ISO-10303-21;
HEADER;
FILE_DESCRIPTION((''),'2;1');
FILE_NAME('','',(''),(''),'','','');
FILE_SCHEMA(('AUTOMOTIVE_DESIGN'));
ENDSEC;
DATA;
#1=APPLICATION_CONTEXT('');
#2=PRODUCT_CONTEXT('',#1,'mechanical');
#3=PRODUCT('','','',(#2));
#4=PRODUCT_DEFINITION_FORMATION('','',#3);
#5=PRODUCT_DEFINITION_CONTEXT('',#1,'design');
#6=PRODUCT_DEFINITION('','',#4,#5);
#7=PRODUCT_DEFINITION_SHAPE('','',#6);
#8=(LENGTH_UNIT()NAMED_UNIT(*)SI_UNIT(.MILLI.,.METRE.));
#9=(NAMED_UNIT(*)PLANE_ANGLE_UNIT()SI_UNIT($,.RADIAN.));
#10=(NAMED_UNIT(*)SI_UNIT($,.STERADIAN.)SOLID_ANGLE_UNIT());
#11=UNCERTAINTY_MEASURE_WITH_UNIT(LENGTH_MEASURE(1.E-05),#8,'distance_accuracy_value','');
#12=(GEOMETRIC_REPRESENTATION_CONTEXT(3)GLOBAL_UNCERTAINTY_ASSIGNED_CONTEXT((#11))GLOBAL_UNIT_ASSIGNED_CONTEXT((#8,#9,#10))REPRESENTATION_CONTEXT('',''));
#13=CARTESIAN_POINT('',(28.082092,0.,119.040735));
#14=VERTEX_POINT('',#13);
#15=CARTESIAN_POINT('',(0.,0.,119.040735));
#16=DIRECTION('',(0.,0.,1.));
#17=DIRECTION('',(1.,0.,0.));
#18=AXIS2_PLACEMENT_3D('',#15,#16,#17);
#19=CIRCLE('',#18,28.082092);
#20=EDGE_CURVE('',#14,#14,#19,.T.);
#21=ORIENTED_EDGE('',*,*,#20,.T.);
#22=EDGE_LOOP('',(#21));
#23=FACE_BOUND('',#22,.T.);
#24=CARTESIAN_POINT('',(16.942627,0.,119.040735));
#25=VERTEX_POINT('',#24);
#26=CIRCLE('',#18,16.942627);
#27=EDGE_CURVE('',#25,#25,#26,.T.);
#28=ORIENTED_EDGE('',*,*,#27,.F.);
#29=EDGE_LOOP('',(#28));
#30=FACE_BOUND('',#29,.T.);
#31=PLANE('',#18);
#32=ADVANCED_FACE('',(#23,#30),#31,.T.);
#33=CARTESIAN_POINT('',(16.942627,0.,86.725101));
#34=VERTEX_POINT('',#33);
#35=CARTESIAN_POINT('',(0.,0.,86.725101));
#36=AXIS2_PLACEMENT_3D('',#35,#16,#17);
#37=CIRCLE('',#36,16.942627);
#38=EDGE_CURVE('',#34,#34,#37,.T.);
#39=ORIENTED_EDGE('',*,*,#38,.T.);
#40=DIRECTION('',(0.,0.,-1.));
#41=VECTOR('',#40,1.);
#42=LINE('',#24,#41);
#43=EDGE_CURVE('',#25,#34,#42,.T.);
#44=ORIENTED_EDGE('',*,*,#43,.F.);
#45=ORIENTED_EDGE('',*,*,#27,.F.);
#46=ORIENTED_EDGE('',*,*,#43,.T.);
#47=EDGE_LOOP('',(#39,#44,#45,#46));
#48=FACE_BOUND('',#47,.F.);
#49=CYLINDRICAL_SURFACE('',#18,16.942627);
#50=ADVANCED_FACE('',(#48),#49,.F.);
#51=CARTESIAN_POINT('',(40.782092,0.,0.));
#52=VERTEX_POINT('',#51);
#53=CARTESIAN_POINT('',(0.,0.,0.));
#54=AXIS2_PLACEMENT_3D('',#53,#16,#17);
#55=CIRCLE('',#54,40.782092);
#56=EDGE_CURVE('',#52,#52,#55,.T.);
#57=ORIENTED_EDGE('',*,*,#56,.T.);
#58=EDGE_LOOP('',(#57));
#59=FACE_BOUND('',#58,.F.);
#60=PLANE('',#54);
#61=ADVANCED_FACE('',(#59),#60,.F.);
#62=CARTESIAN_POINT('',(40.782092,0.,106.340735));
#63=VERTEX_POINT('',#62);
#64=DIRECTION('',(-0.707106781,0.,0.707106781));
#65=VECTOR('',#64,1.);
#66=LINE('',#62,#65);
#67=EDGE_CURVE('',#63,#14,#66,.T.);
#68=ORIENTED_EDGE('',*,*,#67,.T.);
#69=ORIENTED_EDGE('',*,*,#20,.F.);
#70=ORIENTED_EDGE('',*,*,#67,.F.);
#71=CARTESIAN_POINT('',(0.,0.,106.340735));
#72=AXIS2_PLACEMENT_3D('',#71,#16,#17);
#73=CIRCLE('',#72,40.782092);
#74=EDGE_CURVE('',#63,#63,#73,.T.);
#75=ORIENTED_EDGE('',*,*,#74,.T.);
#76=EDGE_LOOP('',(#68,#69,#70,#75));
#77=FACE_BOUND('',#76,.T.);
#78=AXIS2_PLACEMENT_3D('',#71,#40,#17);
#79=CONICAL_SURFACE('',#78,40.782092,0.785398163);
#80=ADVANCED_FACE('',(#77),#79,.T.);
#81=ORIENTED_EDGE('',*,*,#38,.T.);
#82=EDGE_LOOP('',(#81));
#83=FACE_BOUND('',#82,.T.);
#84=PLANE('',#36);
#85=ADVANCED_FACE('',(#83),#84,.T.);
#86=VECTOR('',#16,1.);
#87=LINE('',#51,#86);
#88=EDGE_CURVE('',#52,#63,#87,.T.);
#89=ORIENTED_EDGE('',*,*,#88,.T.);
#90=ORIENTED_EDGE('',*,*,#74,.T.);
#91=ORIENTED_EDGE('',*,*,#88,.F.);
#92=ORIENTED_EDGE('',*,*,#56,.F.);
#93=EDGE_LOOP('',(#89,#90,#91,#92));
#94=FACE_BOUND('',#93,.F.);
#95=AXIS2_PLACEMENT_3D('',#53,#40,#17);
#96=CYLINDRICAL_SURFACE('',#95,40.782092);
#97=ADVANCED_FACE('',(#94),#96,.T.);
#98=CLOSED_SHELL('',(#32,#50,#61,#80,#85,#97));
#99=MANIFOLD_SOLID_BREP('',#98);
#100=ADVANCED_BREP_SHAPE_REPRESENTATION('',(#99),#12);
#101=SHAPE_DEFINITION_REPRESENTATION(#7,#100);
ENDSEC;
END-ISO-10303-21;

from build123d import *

# Parameters (mm, degrees)
F0_R     = 40.782092
F1_DEPTH = 119.040735
F3_R     = 16.942627
F4_DEPTH = 32.315634
F5_SIZE  = 12.7


with BuildPart() as f1:
    # F0 (on Top) → F1 (new body)
    with BuildSketch(Plane.XY):
        Circle(F0_R)
    extrude(amount=F1_DEPTH)

    # F3 (on face) → F4 (cut)
    with BuildSketch(Plane.XY.offset(119.040735)):
        Circle(F3_R)
    extrude(amount=-F4_DEPTH, mode=Mode.SUBTRACT)

    # F5
    f5_edges = [f1.edges().sort_by_distance(p)[0] for p in [
        (-40.782092, 0, 119.040735),
    ]]
    chamfer(f5_edges, length=F5_SIZE)


solid = f1.part
